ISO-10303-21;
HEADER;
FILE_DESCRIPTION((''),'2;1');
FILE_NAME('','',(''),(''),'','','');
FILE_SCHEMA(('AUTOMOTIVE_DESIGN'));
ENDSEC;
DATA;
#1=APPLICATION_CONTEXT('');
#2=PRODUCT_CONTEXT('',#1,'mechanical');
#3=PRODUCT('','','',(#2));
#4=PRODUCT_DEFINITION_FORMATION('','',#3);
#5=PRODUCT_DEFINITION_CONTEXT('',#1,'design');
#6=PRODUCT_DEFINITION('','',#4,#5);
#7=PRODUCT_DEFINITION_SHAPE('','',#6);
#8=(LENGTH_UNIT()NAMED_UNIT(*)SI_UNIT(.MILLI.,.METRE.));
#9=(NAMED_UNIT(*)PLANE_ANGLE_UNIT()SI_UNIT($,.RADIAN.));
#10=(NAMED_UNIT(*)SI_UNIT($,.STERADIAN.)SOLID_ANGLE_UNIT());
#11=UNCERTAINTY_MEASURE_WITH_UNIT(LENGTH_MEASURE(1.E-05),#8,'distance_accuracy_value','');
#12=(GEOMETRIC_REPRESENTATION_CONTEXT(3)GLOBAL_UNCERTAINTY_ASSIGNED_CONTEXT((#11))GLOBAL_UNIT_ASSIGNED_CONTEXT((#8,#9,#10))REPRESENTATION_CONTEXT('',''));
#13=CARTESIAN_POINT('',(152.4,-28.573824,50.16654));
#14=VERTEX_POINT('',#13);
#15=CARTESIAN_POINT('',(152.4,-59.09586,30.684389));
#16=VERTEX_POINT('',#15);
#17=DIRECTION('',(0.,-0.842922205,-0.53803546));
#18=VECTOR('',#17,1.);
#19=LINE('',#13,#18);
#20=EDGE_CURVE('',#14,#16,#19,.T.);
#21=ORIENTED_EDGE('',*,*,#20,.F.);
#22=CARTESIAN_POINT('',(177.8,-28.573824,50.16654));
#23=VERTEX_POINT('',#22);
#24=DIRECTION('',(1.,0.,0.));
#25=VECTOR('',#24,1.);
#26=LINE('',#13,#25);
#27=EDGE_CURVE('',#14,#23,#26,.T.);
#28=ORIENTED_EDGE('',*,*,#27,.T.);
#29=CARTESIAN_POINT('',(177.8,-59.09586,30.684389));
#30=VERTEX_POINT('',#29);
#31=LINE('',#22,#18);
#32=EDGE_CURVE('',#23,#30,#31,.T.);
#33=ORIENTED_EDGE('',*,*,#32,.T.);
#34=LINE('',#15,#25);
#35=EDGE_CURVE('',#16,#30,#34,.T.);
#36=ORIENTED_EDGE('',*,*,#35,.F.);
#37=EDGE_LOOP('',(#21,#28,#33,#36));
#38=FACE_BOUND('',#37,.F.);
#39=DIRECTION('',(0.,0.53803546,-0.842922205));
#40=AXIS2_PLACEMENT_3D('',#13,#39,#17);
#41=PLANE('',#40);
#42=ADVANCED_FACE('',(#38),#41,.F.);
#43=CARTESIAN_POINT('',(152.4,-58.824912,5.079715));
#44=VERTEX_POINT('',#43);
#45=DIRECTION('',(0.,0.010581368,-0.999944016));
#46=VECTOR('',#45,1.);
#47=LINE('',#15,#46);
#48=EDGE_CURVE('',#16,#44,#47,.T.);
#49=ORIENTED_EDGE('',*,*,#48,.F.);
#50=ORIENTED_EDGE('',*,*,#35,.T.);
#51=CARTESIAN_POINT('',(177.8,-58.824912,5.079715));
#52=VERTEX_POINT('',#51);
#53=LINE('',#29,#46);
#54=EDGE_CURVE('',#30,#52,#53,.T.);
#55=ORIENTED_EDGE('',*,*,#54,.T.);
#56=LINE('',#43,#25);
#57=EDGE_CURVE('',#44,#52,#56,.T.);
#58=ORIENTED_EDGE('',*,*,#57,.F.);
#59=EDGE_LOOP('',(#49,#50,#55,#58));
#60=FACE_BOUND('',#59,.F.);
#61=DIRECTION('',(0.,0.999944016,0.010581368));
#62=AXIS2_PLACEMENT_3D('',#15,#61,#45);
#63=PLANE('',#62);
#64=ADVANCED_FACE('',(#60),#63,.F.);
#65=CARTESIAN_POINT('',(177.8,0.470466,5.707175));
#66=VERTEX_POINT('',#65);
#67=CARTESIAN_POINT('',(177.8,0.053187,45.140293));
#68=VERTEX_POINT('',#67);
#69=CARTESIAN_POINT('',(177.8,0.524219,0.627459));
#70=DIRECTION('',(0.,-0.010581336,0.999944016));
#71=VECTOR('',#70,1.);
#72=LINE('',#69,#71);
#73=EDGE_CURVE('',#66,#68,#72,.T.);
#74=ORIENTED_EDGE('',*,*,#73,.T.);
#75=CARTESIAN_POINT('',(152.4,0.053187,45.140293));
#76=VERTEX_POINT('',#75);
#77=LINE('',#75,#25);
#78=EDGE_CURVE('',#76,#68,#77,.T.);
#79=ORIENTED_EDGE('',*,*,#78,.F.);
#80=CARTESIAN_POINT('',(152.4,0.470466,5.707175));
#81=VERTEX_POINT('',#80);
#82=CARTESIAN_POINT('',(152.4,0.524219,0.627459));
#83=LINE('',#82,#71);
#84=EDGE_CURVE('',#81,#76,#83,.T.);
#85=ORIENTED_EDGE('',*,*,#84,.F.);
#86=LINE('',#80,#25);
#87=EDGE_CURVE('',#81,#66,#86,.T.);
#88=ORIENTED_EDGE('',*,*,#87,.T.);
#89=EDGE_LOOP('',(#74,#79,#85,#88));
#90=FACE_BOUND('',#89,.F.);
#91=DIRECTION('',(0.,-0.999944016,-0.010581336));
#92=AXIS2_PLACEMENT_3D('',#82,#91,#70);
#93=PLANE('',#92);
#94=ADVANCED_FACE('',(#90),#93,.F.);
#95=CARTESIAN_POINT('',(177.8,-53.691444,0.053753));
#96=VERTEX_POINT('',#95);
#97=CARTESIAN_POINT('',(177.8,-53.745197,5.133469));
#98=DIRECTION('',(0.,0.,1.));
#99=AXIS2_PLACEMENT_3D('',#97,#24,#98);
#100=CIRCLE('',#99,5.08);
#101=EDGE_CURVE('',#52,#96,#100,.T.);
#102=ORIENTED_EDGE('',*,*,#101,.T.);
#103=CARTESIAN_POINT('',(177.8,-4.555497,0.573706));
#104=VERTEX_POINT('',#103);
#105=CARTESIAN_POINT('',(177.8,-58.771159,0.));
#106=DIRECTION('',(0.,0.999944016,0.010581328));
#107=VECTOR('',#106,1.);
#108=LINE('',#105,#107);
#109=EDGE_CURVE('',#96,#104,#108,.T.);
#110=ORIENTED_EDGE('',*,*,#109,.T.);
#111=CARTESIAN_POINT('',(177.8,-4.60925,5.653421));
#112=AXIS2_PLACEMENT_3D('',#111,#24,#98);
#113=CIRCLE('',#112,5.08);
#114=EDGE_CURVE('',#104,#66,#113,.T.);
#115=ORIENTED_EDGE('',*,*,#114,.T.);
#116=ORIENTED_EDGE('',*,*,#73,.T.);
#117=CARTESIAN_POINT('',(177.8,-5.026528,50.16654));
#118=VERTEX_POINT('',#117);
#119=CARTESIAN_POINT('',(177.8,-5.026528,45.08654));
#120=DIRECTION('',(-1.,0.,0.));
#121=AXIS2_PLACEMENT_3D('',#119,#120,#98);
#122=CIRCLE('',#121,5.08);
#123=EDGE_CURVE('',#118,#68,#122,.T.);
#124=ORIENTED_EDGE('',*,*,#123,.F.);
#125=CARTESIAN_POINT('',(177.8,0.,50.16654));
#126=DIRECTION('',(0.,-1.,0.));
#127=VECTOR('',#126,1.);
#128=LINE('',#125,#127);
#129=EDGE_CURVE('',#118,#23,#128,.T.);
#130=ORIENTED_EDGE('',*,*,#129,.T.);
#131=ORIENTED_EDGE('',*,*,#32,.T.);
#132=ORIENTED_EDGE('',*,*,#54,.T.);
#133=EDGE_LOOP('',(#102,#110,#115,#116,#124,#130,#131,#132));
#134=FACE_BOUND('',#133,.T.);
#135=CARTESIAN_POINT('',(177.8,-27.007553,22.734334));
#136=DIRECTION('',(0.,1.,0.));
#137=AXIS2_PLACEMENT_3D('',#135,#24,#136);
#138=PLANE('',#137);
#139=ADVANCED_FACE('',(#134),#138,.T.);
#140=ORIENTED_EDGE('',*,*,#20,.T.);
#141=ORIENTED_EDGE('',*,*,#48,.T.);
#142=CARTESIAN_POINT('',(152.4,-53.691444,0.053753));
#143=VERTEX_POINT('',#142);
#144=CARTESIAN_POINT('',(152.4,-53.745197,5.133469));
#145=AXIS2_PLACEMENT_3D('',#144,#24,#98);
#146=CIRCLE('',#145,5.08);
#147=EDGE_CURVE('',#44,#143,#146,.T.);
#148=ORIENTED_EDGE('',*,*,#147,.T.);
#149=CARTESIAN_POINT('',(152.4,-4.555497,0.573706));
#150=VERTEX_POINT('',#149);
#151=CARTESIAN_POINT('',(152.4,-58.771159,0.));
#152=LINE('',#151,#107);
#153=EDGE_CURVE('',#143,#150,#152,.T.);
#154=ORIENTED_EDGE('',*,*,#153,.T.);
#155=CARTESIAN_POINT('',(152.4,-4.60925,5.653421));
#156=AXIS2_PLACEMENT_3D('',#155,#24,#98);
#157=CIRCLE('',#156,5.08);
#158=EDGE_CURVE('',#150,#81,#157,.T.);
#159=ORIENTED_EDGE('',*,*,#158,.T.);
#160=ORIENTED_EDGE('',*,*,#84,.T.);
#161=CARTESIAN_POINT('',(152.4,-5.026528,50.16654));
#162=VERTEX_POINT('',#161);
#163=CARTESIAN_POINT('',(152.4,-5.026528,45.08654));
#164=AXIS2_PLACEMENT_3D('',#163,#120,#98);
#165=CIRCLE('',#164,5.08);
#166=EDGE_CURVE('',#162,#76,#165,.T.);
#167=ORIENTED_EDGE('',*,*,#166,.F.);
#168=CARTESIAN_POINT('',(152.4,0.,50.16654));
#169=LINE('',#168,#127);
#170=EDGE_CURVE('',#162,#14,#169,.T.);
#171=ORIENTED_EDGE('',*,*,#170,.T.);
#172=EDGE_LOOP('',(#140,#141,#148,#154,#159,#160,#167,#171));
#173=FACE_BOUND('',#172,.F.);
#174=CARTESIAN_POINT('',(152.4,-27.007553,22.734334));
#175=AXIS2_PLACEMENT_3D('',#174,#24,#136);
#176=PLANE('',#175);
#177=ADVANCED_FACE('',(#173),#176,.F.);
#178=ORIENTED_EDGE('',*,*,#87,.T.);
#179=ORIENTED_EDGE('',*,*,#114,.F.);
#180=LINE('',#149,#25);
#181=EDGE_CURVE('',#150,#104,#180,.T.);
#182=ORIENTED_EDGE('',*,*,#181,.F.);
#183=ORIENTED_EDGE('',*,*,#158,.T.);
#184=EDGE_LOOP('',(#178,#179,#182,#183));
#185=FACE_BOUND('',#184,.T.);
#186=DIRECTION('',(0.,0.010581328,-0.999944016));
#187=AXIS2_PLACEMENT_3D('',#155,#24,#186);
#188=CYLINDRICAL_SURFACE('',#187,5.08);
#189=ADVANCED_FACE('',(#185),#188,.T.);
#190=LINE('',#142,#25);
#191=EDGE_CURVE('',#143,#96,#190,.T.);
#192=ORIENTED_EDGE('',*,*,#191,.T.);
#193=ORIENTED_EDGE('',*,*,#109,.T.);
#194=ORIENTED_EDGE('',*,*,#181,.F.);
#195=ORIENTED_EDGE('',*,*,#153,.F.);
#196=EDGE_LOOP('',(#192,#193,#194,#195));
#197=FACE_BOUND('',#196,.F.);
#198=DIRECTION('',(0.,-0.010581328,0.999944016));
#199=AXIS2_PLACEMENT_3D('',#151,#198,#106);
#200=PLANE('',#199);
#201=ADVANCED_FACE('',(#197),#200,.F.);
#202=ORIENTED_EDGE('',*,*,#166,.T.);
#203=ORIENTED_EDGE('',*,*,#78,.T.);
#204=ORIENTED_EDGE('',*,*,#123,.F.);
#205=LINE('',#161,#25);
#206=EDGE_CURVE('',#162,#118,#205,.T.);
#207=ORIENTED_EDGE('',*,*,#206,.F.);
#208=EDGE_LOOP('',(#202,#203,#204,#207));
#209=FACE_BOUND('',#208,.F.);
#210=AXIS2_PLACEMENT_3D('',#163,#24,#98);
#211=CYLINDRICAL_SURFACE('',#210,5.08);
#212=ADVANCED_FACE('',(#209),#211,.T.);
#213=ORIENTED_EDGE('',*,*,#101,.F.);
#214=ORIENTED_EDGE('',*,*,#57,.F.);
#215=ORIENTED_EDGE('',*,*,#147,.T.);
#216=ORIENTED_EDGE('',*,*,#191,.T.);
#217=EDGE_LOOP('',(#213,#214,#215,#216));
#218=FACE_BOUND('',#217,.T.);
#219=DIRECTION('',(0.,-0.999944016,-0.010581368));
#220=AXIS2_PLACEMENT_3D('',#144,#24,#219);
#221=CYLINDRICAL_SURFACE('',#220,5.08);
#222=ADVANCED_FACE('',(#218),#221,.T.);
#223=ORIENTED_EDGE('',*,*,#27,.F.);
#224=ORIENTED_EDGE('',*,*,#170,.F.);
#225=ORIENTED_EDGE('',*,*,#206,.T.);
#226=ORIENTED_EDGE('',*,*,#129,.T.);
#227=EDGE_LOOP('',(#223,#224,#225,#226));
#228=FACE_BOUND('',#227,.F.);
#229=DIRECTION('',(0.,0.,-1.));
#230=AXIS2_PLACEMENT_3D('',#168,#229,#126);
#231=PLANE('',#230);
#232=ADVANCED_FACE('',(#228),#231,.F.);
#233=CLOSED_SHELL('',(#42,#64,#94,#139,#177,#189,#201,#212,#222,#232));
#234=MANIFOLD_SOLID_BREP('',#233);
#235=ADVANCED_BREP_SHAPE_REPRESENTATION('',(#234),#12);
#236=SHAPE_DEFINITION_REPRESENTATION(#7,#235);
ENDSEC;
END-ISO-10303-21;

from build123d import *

# Parameters (mm, degrees)
F2_DEPTH = 25.4
F3_R     = 5.08
F4_R     = 5.08


with BuildPart() as f2:
    # F1 (on offset) → F2 (new body)
    with BuildSketch(Plane.YZ.offset(152.4)):
        Polygon((-28.573824, 50.16654), (-59.09586, 30.684389), (-58.771159, 0), (0.524219, 0.627459), (0, 50.16654), align=None)
    extrude(amount=F2_DEPTH)

    # F3
    f3_edges = [f2.edges().sort_by_distance(p)[0] for p in [
        (165.1, -58.771159, 0),
    ]]
    fillet(f3_edges, radius=F3_R)

    # F4
    f4_edges = [f2.edges().sort_by_distance(p)[0] for p in [
        (165.1, 0.524219, 0.627459),
        (165.1, 0, 50.16654),
    ]]
    fillet(f4_edges, radius=F4_R)


solid = f2.part
